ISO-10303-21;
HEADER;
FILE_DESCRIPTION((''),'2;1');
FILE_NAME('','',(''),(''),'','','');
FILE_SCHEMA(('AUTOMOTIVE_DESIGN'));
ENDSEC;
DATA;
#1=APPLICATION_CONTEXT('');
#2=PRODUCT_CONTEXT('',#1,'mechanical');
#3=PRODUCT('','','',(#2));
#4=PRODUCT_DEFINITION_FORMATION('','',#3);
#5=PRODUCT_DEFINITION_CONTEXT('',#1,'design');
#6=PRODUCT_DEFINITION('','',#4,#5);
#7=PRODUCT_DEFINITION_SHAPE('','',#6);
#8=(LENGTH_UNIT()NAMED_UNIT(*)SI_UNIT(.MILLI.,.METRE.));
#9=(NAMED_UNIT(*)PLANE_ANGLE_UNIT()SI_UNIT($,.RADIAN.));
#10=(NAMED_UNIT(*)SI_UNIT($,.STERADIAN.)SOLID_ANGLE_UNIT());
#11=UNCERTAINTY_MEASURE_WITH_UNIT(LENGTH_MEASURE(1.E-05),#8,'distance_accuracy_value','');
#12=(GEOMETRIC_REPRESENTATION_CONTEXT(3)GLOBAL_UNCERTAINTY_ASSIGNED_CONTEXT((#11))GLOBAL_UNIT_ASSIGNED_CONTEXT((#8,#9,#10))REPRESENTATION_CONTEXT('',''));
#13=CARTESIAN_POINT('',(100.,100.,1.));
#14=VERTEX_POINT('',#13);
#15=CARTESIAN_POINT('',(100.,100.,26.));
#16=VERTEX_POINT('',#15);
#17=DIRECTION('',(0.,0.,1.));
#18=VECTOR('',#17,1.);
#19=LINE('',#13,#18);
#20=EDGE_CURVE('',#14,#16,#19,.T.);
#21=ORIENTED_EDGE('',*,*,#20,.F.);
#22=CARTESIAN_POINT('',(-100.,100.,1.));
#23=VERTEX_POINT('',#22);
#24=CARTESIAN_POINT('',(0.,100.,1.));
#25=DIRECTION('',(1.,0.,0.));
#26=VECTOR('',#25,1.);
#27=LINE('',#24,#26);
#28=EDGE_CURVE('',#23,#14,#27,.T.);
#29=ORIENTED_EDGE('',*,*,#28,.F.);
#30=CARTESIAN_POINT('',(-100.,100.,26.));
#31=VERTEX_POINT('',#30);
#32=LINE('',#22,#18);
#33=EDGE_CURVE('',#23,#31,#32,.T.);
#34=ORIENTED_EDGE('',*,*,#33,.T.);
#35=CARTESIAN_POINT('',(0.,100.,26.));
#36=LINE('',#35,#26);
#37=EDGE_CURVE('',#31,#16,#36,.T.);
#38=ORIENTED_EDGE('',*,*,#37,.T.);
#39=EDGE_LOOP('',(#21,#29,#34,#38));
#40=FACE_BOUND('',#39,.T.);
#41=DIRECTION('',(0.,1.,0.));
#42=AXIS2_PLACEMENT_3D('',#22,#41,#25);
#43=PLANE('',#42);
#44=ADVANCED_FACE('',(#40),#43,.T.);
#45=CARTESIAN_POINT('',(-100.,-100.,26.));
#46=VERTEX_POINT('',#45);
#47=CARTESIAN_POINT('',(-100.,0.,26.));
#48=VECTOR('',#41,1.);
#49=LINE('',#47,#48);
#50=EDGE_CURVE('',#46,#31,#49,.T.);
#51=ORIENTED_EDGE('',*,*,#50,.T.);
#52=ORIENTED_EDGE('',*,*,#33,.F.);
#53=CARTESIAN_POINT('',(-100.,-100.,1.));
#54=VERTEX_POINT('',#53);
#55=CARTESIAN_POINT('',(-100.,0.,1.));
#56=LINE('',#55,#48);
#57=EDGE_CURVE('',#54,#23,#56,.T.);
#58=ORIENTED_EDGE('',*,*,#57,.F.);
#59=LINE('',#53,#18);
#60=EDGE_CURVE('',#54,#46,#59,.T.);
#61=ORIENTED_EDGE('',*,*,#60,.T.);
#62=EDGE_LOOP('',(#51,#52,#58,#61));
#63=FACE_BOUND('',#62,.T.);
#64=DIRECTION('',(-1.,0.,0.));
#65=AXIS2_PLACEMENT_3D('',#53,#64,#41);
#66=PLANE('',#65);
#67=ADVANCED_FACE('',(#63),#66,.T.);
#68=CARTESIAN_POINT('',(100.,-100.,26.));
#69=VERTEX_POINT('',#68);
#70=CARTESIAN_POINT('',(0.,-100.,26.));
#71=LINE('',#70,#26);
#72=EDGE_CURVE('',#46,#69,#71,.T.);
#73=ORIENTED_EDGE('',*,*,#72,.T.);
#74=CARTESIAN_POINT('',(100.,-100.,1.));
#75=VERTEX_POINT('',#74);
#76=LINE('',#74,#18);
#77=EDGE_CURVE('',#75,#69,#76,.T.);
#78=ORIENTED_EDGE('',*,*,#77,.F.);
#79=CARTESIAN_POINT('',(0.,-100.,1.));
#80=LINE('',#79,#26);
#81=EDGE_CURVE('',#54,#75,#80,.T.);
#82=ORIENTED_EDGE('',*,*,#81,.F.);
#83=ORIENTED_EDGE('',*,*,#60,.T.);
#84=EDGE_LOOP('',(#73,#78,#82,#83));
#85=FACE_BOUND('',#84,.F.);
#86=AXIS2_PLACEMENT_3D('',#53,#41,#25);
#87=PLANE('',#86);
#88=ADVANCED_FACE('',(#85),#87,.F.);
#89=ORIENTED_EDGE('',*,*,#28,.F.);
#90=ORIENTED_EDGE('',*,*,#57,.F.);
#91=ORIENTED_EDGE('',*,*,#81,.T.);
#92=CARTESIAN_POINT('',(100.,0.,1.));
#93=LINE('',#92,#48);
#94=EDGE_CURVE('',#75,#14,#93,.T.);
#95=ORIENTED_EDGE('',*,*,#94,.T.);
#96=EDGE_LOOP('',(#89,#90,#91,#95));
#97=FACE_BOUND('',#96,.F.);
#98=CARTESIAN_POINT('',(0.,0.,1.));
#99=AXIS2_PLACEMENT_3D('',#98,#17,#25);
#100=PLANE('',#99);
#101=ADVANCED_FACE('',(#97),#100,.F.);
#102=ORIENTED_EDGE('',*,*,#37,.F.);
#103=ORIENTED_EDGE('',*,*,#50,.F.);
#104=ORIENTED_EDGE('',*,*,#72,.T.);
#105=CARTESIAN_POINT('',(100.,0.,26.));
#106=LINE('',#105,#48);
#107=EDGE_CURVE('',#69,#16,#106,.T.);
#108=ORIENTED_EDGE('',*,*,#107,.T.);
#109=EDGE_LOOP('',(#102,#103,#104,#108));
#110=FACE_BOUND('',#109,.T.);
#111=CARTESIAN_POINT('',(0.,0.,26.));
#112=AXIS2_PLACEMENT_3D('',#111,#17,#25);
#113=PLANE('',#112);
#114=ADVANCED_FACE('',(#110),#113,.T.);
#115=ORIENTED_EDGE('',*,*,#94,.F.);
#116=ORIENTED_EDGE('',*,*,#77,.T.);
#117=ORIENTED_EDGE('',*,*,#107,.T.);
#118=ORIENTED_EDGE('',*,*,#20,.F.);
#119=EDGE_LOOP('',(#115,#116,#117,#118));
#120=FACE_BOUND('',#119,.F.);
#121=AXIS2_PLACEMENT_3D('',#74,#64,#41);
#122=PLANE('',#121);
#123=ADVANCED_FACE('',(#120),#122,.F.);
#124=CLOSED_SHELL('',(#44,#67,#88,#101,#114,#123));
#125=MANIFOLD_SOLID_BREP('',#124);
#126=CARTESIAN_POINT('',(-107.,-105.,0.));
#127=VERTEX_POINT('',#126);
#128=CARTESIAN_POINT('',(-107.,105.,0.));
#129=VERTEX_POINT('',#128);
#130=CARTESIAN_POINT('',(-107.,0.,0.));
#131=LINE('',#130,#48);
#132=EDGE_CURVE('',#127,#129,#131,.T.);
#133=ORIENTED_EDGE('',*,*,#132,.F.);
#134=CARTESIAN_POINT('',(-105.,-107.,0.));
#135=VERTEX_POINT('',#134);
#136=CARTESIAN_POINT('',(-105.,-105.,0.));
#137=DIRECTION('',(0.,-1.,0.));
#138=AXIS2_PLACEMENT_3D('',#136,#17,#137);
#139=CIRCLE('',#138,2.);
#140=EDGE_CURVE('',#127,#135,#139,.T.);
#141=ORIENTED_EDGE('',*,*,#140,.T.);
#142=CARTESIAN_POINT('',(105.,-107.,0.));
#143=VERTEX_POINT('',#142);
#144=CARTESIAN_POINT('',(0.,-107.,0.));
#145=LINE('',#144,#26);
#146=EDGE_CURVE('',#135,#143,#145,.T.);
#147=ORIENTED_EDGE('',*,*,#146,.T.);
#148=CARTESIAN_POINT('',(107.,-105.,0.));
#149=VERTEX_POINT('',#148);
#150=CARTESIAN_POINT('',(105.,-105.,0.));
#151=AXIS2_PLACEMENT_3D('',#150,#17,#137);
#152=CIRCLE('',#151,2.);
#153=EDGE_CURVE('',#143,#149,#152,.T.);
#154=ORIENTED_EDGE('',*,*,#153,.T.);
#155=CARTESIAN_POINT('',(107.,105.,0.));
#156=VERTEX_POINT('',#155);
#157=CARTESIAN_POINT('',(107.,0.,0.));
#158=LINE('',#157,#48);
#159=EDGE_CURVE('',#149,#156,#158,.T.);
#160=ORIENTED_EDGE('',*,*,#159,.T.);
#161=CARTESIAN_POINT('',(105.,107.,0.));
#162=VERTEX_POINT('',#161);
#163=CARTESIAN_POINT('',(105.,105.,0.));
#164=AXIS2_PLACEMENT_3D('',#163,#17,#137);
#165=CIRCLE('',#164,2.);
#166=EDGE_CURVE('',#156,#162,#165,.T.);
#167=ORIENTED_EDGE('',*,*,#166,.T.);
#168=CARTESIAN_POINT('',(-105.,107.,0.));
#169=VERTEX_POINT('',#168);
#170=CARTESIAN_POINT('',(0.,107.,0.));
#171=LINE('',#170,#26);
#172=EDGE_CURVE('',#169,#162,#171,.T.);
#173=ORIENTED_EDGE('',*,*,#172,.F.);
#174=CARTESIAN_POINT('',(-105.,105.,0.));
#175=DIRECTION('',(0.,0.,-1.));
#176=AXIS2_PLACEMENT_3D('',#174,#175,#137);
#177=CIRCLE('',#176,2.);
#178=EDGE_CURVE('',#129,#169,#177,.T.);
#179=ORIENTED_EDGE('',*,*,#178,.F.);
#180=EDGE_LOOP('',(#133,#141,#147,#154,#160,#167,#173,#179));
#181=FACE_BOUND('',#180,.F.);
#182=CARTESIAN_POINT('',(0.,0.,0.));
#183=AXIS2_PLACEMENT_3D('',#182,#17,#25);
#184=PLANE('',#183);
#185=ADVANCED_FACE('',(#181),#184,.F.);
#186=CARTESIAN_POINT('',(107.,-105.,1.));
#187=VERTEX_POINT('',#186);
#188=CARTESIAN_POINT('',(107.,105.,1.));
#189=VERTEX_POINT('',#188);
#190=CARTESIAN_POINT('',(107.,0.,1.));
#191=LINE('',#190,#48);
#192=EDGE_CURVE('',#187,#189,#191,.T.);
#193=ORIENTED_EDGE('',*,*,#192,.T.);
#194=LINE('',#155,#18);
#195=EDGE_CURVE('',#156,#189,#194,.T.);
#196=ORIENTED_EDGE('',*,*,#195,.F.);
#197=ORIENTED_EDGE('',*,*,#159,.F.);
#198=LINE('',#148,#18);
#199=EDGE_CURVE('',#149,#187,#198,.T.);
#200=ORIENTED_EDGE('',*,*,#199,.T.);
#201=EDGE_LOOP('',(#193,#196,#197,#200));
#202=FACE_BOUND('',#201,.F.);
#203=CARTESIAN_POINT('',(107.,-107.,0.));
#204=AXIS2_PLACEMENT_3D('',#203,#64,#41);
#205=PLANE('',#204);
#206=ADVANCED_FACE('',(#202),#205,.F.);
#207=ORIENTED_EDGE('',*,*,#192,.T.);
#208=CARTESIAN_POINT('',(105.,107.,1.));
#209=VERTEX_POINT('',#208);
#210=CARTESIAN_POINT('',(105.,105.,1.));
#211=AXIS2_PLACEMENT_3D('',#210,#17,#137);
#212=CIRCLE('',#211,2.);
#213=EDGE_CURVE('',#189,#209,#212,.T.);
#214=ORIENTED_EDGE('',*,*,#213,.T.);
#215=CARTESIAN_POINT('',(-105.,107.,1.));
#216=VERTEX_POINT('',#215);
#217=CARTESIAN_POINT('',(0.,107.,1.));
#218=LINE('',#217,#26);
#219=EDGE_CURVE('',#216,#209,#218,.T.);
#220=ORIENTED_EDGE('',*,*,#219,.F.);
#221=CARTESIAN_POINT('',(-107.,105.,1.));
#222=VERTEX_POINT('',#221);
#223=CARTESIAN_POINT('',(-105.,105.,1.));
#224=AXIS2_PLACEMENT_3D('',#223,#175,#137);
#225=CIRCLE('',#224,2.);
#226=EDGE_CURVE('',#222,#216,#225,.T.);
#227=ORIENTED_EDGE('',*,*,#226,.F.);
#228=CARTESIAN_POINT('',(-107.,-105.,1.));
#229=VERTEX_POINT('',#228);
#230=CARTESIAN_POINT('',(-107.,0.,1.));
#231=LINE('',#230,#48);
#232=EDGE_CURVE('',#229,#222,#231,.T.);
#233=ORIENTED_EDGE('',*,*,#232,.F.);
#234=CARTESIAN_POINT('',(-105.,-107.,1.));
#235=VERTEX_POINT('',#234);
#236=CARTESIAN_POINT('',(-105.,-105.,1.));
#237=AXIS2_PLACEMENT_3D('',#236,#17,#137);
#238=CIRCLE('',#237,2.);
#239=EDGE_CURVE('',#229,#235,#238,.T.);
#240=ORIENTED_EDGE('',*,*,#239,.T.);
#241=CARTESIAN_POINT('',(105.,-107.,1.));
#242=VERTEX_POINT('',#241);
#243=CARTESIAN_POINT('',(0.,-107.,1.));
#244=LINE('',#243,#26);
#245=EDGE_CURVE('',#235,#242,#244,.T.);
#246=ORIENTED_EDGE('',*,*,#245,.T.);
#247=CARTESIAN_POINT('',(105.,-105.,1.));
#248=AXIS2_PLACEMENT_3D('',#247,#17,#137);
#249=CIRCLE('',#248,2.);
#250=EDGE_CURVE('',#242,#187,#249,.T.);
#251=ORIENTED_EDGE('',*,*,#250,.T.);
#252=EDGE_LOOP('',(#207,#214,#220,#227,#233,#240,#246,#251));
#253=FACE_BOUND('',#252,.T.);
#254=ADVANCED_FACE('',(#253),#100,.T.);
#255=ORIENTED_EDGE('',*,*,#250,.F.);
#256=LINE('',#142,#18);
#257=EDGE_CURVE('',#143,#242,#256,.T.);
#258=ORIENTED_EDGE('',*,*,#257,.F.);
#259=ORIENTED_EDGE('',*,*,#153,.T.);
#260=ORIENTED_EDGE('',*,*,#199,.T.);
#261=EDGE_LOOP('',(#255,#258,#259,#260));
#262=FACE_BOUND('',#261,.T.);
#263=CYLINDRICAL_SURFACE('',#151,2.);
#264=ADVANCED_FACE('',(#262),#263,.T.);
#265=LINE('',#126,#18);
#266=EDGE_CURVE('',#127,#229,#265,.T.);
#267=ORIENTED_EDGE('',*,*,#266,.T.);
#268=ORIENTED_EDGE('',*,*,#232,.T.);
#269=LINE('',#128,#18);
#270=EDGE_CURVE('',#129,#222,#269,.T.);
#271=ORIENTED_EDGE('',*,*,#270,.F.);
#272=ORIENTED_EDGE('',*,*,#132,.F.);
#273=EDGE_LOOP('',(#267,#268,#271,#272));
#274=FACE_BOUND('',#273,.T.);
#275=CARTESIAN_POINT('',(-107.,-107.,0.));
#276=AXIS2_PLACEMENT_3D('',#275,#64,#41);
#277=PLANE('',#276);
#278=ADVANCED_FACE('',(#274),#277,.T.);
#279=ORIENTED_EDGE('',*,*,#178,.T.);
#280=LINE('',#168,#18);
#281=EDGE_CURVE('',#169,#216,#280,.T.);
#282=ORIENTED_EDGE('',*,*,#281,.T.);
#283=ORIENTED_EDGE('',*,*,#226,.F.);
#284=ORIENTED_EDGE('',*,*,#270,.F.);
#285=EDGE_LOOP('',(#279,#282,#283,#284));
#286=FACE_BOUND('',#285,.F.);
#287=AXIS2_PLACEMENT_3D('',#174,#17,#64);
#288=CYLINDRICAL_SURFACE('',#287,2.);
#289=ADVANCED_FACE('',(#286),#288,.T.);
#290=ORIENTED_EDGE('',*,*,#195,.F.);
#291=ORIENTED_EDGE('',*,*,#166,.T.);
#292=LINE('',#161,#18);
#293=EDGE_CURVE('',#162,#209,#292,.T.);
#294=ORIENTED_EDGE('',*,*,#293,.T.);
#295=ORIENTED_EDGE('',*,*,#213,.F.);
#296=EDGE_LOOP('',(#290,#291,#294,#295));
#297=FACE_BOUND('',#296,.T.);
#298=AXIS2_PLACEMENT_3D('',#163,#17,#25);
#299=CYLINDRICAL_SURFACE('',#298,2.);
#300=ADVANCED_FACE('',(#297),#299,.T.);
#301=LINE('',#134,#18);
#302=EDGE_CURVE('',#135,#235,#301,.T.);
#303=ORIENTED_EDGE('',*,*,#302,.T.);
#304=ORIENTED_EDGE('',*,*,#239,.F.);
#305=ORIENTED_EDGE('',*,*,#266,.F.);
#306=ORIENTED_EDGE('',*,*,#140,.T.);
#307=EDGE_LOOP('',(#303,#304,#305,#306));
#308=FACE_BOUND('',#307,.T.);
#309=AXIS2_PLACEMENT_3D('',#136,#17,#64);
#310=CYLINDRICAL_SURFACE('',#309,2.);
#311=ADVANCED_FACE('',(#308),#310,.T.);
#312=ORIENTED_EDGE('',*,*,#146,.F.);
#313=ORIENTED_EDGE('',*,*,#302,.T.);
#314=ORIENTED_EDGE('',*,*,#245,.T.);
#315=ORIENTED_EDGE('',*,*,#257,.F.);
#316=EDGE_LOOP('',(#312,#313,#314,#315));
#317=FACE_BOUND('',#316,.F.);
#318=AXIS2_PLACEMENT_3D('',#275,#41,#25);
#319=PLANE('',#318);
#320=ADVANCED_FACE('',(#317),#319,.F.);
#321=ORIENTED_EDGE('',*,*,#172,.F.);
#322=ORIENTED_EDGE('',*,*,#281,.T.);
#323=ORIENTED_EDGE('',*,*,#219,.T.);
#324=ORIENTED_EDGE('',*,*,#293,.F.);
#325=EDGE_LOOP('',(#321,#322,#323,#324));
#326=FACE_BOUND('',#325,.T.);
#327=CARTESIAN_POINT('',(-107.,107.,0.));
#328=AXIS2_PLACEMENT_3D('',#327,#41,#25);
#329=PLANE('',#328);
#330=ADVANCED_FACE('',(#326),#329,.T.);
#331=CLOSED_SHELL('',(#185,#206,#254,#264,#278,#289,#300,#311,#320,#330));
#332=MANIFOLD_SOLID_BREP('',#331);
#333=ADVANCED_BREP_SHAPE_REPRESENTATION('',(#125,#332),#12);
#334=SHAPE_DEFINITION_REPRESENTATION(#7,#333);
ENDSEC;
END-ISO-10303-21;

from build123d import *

# Parameters (mm, degrees)
F0_W     = 214
F0_H     = 214
F1_DEPTH = 1
F2_R     = 2
F3_W     = 200
F3_H     = 200
F4_DEPTH = 25


with BuildPart() as f1:
    # F0 (on Top) → F1 (new body)
    with BuildSketch(Plane.XY):
        Rectangle(F0_W, F0_H)
    extrude(amount=F1_DEPTH)

    # F2
    f2_edges = [f1.edges().sort_by_distance(p)[0] for p in [
        (-107, -107, 0.5),
        (107, -107, 0.5),
        (107, 107, 0.5),
        (-107, 107, 0.5),
    ]]
    fillet(f2_edges, radius=F2_R)


with BuildPart() as f4:
    # F3 (on face) → F4 (new body)
    with BuildSketch(Plane.XY.offset(1)):
        Rectangle(F3_W, F3_H)
    extrude(amount=F4_DEPTH)


solid = Compound([f1.part, f4.part])
